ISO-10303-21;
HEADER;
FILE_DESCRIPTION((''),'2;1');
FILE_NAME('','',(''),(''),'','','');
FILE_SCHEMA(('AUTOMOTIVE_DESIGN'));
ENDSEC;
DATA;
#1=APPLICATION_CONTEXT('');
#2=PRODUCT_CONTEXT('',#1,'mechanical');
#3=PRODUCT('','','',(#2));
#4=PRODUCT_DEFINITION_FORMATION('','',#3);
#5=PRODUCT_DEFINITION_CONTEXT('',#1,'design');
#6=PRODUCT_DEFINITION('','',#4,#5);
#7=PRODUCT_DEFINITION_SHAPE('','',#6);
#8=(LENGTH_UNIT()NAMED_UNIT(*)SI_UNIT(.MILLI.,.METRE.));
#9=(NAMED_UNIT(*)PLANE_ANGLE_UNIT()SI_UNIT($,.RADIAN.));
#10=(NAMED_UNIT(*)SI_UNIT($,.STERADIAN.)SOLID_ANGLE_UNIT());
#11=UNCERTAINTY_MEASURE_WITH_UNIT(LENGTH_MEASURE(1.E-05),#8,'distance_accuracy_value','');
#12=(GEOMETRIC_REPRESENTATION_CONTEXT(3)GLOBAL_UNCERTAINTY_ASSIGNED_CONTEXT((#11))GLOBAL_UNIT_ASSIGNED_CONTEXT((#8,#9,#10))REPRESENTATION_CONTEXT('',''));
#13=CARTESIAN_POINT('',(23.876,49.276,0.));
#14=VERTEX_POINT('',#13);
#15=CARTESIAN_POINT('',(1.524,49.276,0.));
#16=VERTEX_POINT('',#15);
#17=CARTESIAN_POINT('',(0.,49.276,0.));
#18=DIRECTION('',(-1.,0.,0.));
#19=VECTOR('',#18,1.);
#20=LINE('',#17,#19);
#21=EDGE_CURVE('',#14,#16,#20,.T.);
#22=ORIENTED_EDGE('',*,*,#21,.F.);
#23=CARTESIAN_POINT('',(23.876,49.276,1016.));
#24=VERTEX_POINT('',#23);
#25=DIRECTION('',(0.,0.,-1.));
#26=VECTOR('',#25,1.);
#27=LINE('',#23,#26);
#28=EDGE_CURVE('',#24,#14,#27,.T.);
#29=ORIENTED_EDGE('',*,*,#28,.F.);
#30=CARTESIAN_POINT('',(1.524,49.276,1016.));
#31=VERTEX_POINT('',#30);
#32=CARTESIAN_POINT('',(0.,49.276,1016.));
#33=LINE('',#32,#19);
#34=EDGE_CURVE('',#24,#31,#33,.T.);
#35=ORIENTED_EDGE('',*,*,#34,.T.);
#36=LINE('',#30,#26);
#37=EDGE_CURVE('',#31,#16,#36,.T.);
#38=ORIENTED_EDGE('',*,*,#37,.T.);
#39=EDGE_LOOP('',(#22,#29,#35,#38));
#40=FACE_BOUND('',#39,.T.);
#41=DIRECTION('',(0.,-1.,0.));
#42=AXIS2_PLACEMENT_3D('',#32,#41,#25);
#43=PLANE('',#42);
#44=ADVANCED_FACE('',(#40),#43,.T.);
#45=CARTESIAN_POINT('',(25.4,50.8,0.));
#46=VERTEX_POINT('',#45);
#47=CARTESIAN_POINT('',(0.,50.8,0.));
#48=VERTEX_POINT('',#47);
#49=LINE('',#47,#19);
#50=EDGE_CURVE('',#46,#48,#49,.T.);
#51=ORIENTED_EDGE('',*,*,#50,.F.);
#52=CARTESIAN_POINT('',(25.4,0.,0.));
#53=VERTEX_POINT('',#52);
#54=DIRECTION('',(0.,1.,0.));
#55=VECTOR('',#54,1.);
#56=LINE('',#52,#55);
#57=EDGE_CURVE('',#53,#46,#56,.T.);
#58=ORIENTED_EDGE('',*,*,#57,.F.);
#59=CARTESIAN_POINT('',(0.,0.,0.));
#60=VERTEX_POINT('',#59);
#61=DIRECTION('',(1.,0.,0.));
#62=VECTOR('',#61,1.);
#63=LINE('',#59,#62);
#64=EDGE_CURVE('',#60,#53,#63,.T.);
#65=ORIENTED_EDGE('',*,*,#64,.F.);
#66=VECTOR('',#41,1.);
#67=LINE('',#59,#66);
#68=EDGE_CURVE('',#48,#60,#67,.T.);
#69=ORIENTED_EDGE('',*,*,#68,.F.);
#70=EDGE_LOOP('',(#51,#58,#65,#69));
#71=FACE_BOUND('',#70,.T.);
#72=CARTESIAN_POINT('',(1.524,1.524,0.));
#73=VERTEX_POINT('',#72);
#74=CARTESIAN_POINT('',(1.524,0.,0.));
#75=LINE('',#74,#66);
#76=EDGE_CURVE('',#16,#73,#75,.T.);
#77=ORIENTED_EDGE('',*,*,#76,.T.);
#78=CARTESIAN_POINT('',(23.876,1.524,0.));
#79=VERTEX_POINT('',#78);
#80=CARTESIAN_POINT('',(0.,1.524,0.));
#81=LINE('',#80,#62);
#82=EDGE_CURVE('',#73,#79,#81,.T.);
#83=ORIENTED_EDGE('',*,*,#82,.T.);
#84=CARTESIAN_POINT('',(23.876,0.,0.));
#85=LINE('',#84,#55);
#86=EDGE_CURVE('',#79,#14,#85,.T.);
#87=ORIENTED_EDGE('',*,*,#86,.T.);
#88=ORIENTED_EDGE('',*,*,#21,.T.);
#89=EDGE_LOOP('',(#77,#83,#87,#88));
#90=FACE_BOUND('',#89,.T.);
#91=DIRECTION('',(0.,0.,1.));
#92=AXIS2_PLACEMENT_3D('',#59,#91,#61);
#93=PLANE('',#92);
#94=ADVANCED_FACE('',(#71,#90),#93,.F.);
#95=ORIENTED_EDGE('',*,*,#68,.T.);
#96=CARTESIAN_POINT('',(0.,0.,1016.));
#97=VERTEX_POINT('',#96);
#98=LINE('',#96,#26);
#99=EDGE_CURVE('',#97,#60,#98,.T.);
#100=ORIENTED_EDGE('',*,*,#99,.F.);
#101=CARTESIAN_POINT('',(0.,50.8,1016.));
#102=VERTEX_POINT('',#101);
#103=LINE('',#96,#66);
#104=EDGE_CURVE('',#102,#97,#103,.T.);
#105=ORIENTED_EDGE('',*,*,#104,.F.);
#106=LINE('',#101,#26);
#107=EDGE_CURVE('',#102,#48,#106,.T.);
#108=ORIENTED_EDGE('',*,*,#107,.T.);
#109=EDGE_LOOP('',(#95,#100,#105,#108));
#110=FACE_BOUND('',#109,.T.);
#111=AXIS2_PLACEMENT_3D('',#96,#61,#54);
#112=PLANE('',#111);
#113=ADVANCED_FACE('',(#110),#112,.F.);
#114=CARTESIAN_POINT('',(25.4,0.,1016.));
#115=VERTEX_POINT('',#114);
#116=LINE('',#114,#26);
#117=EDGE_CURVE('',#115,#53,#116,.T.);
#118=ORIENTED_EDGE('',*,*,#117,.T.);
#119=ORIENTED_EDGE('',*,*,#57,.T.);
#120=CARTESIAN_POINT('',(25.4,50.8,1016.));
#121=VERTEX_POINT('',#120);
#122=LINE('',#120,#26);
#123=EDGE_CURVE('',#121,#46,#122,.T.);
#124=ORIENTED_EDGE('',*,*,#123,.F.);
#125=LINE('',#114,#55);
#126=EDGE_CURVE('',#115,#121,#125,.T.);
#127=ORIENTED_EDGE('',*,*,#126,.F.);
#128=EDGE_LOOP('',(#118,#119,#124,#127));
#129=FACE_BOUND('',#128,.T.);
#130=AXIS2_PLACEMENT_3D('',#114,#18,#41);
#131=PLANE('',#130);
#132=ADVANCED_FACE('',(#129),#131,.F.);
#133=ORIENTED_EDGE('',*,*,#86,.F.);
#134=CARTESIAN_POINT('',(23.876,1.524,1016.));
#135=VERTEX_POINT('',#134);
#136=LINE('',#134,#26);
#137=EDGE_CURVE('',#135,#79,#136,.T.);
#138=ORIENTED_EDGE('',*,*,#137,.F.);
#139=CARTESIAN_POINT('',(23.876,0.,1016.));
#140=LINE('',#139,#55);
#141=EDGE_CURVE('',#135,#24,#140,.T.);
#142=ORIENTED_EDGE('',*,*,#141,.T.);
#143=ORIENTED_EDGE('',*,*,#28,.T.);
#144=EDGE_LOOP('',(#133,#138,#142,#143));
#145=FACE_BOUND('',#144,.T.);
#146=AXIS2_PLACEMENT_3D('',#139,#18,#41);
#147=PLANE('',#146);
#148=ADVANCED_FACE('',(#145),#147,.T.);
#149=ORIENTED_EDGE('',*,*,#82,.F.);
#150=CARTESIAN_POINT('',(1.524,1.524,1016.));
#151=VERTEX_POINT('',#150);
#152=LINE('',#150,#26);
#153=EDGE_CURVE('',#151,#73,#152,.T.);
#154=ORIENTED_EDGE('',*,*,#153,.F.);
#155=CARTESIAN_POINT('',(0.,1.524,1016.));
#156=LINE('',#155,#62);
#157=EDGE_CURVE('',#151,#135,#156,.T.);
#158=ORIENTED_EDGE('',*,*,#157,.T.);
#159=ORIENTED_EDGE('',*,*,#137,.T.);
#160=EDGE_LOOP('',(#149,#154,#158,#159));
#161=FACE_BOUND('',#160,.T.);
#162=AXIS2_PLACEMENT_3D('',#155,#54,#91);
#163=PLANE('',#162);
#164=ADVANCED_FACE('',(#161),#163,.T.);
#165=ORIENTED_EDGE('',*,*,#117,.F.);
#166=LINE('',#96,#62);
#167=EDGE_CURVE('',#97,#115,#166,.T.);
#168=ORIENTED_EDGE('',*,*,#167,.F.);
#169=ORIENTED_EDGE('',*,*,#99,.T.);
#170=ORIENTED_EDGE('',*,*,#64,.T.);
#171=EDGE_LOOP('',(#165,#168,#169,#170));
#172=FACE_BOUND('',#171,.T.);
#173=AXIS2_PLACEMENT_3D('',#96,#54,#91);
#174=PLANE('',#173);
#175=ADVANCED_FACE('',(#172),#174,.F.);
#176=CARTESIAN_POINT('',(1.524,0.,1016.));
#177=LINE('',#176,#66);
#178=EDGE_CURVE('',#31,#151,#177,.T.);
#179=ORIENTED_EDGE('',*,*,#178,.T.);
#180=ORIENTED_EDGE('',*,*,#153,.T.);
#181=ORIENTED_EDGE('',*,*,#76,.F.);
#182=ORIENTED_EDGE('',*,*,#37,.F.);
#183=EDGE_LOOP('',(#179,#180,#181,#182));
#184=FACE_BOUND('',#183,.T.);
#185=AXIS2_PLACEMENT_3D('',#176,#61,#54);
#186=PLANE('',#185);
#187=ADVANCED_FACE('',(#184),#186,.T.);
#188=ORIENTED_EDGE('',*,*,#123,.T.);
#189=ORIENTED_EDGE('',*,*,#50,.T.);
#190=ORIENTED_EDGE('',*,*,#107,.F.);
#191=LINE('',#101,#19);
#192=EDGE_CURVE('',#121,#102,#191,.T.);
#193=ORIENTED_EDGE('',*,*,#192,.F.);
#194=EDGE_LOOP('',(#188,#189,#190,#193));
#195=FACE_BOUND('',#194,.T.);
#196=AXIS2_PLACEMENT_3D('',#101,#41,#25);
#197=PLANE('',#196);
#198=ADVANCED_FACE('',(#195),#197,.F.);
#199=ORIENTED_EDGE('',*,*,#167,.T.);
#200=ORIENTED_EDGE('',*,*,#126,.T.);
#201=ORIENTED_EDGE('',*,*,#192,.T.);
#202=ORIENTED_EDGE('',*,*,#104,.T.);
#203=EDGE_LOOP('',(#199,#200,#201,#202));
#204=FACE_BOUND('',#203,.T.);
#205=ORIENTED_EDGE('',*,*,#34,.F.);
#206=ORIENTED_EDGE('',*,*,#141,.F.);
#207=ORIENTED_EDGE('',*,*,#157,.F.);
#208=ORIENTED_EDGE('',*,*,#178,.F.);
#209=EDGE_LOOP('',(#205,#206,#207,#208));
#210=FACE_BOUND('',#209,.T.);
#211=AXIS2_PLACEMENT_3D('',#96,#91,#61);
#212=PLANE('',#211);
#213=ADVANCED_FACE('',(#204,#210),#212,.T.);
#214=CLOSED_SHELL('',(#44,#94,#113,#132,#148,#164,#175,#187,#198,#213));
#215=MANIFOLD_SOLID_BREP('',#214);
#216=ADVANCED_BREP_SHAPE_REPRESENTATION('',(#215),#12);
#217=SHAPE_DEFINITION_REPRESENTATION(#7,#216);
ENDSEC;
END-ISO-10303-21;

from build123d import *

# Parameters (mm, degrees)
SKETCH1_W           = 25.4
SKETCH1_H           = 50.8
SKETCH1_W_2         = 22.352
SKETCH1_H_2         = 47.752
EXTRUDE_THIN1_DEPTH = 1016


with BuildPart() as part:
    # Sketch1 → Extrude-Thin1 (new body)
    with BuildSketch(Plane.XY):
        with Locations((12.7, 25.4)):
            Rectangle(SKETCH1_W, SKETCH1_H)
        with Locations((12.7, 25.4)):
            Rectangle(SKETCH1_W_2, SKETCH1_H_2, mode=Mode.SUBTRACT)
    extrude(amount=EXTRUDE_THIN1_DEPTH)


solid = part.part
